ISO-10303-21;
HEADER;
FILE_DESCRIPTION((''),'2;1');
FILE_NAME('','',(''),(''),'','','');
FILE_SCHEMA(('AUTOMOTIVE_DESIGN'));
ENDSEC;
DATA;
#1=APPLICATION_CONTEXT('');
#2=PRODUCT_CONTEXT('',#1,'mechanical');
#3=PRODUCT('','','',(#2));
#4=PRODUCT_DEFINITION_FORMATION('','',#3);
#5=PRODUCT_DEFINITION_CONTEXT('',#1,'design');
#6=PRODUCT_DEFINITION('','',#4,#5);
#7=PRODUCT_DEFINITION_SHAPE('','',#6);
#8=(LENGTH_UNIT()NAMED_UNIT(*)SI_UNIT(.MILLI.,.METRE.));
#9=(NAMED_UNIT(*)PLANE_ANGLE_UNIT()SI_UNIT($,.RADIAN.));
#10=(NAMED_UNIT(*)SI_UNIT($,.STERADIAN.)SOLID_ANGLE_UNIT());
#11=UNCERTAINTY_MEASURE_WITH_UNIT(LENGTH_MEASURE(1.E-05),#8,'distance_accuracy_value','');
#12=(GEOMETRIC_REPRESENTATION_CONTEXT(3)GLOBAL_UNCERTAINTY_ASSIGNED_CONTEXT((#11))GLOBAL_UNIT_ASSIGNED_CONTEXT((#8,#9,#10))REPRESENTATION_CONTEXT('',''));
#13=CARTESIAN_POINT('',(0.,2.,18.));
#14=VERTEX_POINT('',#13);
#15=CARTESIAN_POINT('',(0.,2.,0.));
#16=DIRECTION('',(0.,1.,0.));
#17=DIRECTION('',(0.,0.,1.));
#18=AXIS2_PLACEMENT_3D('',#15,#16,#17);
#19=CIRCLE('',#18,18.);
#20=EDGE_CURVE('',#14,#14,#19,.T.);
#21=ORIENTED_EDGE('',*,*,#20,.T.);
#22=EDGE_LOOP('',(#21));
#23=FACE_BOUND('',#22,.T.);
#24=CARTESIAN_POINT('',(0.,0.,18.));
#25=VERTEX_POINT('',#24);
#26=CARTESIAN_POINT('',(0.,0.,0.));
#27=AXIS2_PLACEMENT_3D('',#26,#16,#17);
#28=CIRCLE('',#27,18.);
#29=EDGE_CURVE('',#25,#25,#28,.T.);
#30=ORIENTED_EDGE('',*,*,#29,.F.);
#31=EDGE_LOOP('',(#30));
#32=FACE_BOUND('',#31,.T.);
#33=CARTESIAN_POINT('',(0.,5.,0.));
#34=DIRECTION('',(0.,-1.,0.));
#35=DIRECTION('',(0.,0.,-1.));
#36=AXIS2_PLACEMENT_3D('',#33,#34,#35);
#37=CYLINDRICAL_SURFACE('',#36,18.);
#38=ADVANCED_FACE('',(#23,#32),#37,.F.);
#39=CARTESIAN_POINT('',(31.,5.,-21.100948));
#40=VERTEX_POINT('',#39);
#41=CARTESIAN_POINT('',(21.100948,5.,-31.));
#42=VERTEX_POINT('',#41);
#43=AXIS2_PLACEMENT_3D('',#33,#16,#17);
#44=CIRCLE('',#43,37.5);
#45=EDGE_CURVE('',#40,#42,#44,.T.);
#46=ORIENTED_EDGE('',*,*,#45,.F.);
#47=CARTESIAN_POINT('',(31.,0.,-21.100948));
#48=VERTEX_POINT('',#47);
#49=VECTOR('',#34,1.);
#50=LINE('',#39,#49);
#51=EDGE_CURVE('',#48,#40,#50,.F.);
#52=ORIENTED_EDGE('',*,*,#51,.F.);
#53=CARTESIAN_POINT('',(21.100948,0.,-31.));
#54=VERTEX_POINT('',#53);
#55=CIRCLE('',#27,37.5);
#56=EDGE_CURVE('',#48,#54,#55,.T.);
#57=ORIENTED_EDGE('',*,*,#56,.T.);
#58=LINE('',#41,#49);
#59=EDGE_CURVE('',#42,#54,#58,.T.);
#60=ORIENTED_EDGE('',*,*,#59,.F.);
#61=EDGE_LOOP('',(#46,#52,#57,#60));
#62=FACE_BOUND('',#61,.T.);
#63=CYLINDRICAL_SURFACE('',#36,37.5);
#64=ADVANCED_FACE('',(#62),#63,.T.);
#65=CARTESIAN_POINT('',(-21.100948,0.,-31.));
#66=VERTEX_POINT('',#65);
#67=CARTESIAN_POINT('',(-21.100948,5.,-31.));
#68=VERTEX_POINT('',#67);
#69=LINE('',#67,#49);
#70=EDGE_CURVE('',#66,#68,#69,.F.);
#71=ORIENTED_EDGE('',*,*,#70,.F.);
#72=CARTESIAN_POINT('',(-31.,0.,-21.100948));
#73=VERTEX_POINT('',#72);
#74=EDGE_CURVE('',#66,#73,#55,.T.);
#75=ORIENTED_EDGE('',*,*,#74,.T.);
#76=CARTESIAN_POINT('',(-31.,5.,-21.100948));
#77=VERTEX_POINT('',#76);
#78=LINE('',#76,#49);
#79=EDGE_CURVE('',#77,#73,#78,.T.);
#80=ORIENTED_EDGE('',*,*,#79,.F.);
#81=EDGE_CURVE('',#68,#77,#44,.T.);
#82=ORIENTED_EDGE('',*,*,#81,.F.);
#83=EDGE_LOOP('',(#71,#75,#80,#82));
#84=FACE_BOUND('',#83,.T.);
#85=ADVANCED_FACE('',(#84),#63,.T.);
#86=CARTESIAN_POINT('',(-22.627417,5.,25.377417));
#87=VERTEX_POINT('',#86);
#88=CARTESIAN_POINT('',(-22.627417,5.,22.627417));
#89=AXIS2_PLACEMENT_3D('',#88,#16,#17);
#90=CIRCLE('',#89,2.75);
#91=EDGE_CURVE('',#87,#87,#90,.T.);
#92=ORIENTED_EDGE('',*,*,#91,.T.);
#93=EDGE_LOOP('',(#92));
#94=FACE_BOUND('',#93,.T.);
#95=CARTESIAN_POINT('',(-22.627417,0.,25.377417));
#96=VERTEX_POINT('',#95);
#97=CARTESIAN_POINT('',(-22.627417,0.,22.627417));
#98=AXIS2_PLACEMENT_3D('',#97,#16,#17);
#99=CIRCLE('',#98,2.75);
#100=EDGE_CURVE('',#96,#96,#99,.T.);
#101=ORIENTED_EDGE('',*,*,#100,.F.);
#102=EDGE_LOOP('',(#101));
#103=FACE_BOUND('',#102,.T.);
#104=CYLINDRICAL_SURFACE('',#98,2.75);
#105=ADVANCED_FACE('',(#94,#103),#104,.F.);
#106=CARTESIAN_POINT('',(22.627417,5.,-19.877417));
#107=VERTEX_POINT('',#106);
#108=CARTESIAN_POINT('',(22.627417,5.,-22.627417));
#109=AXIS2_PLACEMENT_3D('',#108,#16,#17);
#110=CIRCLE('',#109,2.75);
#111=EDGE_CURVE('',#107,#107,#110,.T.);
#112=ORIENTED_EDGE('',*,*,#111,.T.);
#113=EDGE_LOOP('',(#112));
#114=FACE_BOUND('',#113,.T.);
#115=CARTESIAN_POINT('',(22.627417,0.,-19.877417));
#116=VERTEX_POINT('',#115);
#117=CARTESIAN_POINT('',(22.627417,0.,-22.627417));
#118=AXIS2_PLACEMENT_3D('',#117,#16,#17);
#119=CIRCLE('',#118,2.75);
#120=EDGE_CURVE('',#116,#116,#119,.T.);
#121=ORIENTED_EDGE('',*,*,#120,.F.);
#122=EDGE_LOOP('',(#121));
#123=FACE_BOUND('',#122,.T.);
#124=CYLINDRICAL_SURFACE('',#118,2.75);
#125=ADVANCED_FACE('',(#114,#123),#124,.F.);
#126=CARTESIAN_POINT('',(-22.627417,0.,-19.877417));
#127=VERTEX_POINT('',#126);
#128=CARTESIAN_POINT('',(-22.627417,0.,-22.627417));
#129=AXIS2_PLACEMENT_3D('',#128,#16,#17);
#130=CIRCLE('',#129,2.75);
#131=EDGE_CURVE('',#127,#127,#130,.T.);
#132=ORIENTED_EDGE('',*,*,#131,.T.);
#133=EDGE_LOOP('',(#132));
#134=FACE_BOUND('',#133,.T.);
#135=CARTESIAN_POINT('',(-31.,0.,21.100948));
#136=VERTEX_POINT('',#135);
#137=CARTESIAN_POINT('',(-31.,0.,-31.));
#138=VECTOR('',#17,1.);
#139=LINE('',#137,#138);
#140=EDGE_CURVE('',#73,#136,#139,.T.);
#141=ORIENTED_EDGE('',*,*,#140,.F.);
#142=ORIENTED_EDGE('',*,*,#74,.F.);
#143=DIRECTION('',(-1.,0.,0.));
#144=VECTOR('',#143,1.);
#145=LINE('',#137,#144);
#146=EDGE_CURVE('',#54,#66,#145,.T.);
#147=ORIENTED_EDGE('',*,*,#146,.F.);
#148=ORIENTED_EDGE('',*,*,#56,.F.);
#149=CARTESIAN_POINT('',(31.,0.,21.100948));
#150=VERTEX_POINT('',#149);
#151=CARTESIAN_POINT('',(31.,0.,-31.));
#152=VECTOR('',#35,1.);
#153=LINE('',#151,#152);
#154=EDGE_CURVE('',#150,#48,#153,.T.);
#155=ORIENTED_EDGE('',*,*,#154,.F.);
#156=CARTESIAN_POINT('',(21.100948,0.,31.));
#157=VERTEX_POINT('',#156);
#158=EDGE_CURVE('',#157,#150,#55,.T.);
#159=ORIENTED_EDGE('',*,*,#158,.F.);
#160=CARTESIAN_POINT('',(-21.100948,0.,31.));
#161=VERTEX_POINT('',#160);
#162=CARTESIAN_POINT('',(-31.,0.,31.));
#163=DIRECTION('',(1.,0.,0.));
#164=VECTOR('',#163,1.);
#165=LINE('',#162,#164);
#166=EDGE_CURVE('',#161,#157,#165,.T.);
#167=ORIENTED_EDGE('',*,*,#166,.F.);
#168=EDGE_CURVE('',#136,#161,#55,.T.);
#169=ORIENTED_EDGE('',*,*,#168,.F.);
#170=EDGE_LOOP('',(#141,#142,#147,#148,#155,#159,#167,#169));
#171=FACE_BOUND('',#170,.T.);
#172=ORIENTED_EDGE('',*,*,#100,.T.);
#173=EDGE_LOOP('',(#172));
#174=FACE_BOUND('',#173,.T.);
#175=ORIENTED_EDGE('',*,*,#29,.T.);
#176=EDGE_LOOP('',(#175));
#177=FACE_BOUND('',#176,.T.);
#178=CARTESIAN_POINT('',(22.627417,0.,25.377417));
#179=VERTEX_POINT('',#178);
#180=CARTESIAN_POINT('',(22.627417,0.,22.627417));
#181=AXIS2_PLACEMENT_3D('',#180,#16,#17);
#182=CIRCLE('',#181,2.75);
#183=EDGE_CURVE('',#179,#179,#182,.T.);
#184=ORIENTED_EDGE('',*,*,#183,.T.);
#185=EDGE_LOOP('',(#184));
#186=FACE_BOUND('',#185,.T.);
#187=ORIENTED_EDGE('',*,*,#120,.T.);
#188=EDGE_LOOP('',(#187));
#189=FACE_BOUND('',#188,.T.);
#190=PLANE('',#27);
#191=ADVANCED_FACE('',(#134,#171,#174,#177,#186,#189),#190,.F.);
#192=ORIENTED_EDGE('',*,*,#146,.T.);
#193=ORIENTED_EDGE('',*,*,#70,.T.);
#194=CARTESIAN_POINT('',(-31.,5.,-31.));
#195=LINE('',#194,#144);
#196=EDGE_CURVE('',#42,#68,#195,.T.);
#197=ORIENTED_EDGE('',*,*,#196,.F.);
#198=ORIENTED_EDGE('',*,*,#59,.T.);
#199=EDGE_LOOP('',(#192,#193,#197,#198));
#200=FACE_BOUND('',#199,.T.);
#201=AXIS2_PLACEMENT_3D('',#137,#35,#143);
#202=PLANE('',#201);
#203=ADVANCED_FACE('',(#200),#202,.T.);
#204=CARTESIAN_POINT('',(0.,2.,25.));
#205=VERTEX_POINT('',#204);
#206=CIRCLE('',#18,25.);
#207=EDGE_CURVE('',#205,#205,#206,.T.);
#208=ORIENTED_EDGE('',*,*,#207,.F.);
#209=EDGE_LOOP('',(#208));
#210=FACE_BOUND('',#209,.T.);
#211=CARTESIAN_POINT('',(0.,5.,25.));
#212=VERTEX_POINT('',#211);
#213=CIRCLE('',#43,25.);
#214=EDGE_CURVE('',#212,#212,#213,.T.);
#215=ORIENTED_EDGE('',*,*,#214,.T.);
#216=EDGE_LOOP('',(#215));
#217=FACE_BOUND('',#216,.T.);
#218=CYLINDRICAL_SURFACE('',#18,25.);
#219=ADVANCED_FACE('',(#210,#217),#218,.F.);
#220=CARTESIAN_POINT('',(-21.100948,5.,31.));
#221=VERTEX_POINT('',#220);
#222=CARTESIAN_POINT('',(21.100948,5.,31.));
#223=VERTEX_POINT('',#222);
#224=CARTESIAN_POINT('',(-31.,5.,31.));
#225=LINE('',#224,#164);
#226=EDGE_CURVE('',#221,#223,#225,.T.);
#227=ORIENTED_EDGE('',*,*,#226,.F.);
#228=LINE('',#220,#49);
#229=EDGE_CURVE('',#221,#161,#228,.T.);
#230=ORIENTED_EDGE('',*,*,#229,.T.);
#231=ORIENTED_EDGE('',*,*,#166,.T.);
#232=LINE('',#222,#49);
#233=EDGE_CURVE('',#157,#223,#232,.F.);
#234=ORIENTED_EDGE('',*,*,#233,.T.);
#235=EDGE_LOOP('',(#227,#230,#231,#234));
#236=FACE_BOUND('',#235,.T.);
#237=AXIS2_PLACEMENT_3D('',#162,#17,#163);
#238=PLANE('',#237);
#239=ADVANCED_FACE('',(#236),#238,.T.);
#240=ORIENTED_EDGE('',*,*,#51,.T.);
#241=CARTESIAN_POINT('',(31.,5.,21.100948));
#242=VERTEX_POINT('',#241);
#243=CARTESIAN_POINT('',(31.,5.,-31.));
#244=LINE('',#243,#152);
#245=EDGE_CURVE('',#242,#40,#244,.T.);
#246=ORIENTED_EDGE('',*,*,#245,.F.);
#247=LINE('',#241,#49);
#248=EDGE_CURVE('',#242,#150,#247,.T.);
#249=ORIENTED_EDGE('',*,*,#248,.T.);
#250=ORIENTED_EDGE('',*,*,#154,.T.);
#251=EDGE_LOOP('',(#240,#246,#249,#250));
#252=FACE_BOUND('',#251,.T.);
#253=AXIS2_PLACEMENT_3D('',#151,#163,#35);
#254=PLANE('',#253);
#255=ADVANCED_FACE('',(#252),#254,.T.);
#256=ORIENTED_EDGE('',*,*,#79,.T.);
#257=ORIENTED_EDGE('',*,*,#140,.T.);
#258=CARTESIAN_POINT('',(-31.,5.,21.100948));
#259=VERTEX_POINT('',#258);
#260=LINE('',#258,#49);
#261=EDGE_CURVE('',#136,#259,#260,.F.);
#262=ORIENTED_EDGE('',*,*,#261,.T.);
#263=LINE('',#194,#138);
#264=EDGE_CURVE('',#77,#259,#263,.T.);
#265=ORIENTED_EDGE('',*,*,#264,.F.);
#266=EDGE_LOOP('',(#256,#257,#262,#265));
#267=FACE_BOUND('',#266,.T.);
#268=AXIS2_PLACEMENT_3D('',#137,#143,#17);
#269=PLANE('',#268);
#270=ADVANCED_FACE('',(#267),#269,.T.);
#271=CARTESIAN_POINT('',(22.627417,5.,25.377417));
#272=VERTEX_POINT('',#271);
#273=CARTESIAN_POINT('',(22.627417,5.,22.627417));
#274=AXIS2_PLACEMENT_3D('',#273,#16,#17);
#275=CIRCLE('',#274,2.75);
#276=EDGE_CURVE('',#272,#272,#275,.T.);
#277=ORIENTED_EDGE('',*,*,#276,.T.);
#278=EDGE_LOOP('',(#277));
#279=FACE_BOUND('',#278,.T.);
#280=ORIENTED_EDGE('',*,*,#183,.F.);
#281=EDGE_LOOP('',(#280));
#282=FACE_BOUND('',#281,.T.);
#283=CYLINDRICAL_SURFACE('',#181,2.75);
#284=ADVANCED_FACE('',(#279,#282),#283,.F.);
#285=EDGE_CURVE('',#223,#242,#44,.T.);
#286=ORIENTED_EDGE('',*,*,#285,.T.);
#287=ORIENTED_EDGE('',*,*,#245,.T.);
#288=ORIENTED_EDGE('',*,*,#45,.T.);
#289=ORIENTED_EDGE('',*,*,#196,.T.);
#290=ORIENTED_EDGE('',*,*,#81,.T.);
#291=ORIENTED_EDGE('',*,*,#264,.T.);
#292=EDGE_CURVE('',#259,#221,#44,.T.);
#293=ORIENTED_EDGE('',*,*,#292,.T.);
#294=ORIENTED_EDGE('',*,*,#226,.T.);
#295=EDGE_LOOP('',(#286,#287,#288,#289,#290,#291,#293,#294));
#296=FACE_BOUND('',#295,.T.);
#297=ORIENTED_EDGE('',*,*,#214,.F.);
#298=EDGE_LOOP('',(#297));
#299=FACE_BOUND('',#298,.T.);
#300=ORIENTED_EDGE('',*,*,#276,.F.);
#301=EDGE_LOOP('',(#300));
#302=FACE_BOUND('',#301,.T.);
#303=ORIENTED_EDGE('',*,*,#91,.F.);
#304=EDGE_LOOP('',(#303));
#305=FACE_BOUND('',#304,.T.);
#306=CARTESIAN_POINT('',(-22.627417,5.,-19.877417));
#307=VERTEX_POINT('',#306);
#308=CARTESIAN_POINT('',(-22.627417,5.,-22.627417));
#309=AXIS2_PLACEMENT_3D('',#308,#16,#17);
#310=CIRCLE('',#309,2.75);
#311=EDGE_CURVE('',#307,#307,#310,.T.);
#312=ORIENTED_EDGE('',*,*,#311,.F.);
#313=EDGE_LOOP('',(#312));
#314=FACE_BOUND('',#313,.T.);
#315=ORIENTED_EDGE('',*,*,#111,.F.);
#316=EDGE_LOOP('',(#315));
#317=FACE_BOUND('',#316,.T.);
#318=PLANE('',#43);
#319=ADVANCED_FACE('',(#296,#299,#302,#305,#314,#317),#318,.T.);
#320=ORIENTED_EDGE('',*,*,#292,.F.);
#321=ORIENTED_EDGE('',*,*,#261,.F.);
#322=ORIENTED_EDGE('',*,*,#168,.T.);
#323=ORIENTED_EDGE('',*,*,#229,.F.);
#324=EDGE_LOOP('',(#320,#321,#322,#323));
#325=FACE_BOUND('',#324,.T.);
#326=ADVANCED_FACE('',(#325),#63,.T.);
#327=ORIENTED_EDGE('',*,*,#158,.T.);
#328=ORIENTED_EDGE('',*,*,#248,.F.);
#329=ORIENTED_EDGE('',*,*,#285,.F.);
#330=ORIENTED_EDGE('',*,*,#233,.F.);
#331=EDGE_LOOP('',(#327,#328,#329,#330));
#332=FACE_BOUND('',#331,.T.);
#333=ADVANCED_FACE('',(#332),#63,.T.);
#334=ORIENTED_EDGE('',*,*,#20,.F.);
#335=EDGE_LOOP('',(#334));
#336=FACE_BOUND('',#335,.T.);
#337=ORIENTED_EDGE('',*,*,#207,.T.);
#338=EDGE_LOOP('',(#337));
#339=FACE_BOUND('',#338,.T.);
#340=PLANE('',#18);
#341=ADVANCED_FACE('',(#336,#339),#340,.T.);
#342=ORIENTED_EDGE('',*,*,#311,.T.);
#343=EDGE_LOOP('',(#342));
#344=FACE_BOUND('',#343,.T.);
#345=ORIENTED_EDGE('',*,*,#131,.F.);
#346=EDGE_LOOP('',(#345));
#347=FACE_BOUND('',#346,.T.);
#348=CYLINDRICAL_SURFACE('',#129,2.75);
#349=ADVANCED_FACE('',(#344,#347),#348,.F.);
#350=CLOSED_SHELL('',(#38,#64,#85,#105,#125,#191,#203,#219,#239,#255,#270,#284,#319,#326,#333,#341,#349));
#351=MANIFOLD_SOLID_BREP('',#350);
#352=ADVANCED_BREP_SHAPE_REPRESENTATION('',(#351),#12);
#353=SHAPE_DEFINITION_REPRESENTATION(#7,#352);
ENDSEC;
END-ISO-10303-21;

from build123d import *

# Parameters (mm, degrees)
SKETCH1_R           = 37.5
SKETCH1_R_2         = 18
BOSS_EXTRUDE1_DEPTH = 5
SKETCH2_R           = 25
CUT_EXTRUDE1_DEPTH  = 3
SKETCH3_OUTSIDE_W   = 98.236
SKETCH3_OUTSIDE_H   = 98.236
SKETCH3_OUTSIDE_W_2 = 62
SKETCH3_OUTSIDE_H_2 = 62
CUT_EXTRUDE2_DEPTH  = 6
SKETCH4_R           = 2.75
CUT_EXTRUDE3_DEPTH  = 6


with BuildPart() as part:
    # Sketch1 → Boss-Extrude1 (new body)
    with BuildSketch(Plane(origin=(0, 0, 0), x_dir=(1, 0, 0), z_dir=(0, 1, 0))):
        Circle(SKETCH1_R)
        Circle(SKETCH1_R_2, mode=Mode.SUBTRACT)
    extrude(amount=BOSS_EXTRUDE1_DEPTH)

    # Sketch2 → Cut-Extrude1 (cut)
    with BuildSketch(Plane(origin=(0, 5, 0), x_dir=(1, 0, 0), z_dir=(0, 1, 0))):
        Circle(SKETCH2_R)
    extrude(amount=-CUT_EXTRUDE1_DEPTH, mode=Mode.SUBTRACT)

    # Sketch3 outside → Cut-Extrude2 (cut, through all)
    with BuildSketch(Plane(origin=(0, 5, 0), x_dir=(1, 0, 0), z_dir=(0, 1, 0))):
        Rectangle(SKETCH3_OUTSIDE_W, SKETCH3_OUTSIDE_H)
        Rectangle(SKETCH3_OUTSIDE_W_2, SKETCH3_OUTSIDE_H_2, mode=Mode.SUBTRACT)
    extrude(amount=-CUT_EXTRUDE2_DEPTH, mode=Mode.SUBTRACT)

    # Sketch4 → Cut-Extrude3 (cut, through all)
    with BuildSketch(Plane(origin=(0, 5, 0), x_dir=(1, 0, 0), z_dir=(0, 1, 0))):
        with Locations((-22.627416998, 22.627416998)):
            Circle(SKETCH4_R)
        with Locations((22.627416998, 22.627416998)):
            Circle(SKETCH4_R)
        with Locations((22.627416998, -22.627416998)):
            Circle(SKETCH4_R)
        with Locations((-22.627416998, -22.627416998)):
            Circle(SKETCH4_R)
    extrude(amount=-CUT_EXTRUDE3_DEPTH, mode=Mode.SUBTRACT)


solid = part.part
